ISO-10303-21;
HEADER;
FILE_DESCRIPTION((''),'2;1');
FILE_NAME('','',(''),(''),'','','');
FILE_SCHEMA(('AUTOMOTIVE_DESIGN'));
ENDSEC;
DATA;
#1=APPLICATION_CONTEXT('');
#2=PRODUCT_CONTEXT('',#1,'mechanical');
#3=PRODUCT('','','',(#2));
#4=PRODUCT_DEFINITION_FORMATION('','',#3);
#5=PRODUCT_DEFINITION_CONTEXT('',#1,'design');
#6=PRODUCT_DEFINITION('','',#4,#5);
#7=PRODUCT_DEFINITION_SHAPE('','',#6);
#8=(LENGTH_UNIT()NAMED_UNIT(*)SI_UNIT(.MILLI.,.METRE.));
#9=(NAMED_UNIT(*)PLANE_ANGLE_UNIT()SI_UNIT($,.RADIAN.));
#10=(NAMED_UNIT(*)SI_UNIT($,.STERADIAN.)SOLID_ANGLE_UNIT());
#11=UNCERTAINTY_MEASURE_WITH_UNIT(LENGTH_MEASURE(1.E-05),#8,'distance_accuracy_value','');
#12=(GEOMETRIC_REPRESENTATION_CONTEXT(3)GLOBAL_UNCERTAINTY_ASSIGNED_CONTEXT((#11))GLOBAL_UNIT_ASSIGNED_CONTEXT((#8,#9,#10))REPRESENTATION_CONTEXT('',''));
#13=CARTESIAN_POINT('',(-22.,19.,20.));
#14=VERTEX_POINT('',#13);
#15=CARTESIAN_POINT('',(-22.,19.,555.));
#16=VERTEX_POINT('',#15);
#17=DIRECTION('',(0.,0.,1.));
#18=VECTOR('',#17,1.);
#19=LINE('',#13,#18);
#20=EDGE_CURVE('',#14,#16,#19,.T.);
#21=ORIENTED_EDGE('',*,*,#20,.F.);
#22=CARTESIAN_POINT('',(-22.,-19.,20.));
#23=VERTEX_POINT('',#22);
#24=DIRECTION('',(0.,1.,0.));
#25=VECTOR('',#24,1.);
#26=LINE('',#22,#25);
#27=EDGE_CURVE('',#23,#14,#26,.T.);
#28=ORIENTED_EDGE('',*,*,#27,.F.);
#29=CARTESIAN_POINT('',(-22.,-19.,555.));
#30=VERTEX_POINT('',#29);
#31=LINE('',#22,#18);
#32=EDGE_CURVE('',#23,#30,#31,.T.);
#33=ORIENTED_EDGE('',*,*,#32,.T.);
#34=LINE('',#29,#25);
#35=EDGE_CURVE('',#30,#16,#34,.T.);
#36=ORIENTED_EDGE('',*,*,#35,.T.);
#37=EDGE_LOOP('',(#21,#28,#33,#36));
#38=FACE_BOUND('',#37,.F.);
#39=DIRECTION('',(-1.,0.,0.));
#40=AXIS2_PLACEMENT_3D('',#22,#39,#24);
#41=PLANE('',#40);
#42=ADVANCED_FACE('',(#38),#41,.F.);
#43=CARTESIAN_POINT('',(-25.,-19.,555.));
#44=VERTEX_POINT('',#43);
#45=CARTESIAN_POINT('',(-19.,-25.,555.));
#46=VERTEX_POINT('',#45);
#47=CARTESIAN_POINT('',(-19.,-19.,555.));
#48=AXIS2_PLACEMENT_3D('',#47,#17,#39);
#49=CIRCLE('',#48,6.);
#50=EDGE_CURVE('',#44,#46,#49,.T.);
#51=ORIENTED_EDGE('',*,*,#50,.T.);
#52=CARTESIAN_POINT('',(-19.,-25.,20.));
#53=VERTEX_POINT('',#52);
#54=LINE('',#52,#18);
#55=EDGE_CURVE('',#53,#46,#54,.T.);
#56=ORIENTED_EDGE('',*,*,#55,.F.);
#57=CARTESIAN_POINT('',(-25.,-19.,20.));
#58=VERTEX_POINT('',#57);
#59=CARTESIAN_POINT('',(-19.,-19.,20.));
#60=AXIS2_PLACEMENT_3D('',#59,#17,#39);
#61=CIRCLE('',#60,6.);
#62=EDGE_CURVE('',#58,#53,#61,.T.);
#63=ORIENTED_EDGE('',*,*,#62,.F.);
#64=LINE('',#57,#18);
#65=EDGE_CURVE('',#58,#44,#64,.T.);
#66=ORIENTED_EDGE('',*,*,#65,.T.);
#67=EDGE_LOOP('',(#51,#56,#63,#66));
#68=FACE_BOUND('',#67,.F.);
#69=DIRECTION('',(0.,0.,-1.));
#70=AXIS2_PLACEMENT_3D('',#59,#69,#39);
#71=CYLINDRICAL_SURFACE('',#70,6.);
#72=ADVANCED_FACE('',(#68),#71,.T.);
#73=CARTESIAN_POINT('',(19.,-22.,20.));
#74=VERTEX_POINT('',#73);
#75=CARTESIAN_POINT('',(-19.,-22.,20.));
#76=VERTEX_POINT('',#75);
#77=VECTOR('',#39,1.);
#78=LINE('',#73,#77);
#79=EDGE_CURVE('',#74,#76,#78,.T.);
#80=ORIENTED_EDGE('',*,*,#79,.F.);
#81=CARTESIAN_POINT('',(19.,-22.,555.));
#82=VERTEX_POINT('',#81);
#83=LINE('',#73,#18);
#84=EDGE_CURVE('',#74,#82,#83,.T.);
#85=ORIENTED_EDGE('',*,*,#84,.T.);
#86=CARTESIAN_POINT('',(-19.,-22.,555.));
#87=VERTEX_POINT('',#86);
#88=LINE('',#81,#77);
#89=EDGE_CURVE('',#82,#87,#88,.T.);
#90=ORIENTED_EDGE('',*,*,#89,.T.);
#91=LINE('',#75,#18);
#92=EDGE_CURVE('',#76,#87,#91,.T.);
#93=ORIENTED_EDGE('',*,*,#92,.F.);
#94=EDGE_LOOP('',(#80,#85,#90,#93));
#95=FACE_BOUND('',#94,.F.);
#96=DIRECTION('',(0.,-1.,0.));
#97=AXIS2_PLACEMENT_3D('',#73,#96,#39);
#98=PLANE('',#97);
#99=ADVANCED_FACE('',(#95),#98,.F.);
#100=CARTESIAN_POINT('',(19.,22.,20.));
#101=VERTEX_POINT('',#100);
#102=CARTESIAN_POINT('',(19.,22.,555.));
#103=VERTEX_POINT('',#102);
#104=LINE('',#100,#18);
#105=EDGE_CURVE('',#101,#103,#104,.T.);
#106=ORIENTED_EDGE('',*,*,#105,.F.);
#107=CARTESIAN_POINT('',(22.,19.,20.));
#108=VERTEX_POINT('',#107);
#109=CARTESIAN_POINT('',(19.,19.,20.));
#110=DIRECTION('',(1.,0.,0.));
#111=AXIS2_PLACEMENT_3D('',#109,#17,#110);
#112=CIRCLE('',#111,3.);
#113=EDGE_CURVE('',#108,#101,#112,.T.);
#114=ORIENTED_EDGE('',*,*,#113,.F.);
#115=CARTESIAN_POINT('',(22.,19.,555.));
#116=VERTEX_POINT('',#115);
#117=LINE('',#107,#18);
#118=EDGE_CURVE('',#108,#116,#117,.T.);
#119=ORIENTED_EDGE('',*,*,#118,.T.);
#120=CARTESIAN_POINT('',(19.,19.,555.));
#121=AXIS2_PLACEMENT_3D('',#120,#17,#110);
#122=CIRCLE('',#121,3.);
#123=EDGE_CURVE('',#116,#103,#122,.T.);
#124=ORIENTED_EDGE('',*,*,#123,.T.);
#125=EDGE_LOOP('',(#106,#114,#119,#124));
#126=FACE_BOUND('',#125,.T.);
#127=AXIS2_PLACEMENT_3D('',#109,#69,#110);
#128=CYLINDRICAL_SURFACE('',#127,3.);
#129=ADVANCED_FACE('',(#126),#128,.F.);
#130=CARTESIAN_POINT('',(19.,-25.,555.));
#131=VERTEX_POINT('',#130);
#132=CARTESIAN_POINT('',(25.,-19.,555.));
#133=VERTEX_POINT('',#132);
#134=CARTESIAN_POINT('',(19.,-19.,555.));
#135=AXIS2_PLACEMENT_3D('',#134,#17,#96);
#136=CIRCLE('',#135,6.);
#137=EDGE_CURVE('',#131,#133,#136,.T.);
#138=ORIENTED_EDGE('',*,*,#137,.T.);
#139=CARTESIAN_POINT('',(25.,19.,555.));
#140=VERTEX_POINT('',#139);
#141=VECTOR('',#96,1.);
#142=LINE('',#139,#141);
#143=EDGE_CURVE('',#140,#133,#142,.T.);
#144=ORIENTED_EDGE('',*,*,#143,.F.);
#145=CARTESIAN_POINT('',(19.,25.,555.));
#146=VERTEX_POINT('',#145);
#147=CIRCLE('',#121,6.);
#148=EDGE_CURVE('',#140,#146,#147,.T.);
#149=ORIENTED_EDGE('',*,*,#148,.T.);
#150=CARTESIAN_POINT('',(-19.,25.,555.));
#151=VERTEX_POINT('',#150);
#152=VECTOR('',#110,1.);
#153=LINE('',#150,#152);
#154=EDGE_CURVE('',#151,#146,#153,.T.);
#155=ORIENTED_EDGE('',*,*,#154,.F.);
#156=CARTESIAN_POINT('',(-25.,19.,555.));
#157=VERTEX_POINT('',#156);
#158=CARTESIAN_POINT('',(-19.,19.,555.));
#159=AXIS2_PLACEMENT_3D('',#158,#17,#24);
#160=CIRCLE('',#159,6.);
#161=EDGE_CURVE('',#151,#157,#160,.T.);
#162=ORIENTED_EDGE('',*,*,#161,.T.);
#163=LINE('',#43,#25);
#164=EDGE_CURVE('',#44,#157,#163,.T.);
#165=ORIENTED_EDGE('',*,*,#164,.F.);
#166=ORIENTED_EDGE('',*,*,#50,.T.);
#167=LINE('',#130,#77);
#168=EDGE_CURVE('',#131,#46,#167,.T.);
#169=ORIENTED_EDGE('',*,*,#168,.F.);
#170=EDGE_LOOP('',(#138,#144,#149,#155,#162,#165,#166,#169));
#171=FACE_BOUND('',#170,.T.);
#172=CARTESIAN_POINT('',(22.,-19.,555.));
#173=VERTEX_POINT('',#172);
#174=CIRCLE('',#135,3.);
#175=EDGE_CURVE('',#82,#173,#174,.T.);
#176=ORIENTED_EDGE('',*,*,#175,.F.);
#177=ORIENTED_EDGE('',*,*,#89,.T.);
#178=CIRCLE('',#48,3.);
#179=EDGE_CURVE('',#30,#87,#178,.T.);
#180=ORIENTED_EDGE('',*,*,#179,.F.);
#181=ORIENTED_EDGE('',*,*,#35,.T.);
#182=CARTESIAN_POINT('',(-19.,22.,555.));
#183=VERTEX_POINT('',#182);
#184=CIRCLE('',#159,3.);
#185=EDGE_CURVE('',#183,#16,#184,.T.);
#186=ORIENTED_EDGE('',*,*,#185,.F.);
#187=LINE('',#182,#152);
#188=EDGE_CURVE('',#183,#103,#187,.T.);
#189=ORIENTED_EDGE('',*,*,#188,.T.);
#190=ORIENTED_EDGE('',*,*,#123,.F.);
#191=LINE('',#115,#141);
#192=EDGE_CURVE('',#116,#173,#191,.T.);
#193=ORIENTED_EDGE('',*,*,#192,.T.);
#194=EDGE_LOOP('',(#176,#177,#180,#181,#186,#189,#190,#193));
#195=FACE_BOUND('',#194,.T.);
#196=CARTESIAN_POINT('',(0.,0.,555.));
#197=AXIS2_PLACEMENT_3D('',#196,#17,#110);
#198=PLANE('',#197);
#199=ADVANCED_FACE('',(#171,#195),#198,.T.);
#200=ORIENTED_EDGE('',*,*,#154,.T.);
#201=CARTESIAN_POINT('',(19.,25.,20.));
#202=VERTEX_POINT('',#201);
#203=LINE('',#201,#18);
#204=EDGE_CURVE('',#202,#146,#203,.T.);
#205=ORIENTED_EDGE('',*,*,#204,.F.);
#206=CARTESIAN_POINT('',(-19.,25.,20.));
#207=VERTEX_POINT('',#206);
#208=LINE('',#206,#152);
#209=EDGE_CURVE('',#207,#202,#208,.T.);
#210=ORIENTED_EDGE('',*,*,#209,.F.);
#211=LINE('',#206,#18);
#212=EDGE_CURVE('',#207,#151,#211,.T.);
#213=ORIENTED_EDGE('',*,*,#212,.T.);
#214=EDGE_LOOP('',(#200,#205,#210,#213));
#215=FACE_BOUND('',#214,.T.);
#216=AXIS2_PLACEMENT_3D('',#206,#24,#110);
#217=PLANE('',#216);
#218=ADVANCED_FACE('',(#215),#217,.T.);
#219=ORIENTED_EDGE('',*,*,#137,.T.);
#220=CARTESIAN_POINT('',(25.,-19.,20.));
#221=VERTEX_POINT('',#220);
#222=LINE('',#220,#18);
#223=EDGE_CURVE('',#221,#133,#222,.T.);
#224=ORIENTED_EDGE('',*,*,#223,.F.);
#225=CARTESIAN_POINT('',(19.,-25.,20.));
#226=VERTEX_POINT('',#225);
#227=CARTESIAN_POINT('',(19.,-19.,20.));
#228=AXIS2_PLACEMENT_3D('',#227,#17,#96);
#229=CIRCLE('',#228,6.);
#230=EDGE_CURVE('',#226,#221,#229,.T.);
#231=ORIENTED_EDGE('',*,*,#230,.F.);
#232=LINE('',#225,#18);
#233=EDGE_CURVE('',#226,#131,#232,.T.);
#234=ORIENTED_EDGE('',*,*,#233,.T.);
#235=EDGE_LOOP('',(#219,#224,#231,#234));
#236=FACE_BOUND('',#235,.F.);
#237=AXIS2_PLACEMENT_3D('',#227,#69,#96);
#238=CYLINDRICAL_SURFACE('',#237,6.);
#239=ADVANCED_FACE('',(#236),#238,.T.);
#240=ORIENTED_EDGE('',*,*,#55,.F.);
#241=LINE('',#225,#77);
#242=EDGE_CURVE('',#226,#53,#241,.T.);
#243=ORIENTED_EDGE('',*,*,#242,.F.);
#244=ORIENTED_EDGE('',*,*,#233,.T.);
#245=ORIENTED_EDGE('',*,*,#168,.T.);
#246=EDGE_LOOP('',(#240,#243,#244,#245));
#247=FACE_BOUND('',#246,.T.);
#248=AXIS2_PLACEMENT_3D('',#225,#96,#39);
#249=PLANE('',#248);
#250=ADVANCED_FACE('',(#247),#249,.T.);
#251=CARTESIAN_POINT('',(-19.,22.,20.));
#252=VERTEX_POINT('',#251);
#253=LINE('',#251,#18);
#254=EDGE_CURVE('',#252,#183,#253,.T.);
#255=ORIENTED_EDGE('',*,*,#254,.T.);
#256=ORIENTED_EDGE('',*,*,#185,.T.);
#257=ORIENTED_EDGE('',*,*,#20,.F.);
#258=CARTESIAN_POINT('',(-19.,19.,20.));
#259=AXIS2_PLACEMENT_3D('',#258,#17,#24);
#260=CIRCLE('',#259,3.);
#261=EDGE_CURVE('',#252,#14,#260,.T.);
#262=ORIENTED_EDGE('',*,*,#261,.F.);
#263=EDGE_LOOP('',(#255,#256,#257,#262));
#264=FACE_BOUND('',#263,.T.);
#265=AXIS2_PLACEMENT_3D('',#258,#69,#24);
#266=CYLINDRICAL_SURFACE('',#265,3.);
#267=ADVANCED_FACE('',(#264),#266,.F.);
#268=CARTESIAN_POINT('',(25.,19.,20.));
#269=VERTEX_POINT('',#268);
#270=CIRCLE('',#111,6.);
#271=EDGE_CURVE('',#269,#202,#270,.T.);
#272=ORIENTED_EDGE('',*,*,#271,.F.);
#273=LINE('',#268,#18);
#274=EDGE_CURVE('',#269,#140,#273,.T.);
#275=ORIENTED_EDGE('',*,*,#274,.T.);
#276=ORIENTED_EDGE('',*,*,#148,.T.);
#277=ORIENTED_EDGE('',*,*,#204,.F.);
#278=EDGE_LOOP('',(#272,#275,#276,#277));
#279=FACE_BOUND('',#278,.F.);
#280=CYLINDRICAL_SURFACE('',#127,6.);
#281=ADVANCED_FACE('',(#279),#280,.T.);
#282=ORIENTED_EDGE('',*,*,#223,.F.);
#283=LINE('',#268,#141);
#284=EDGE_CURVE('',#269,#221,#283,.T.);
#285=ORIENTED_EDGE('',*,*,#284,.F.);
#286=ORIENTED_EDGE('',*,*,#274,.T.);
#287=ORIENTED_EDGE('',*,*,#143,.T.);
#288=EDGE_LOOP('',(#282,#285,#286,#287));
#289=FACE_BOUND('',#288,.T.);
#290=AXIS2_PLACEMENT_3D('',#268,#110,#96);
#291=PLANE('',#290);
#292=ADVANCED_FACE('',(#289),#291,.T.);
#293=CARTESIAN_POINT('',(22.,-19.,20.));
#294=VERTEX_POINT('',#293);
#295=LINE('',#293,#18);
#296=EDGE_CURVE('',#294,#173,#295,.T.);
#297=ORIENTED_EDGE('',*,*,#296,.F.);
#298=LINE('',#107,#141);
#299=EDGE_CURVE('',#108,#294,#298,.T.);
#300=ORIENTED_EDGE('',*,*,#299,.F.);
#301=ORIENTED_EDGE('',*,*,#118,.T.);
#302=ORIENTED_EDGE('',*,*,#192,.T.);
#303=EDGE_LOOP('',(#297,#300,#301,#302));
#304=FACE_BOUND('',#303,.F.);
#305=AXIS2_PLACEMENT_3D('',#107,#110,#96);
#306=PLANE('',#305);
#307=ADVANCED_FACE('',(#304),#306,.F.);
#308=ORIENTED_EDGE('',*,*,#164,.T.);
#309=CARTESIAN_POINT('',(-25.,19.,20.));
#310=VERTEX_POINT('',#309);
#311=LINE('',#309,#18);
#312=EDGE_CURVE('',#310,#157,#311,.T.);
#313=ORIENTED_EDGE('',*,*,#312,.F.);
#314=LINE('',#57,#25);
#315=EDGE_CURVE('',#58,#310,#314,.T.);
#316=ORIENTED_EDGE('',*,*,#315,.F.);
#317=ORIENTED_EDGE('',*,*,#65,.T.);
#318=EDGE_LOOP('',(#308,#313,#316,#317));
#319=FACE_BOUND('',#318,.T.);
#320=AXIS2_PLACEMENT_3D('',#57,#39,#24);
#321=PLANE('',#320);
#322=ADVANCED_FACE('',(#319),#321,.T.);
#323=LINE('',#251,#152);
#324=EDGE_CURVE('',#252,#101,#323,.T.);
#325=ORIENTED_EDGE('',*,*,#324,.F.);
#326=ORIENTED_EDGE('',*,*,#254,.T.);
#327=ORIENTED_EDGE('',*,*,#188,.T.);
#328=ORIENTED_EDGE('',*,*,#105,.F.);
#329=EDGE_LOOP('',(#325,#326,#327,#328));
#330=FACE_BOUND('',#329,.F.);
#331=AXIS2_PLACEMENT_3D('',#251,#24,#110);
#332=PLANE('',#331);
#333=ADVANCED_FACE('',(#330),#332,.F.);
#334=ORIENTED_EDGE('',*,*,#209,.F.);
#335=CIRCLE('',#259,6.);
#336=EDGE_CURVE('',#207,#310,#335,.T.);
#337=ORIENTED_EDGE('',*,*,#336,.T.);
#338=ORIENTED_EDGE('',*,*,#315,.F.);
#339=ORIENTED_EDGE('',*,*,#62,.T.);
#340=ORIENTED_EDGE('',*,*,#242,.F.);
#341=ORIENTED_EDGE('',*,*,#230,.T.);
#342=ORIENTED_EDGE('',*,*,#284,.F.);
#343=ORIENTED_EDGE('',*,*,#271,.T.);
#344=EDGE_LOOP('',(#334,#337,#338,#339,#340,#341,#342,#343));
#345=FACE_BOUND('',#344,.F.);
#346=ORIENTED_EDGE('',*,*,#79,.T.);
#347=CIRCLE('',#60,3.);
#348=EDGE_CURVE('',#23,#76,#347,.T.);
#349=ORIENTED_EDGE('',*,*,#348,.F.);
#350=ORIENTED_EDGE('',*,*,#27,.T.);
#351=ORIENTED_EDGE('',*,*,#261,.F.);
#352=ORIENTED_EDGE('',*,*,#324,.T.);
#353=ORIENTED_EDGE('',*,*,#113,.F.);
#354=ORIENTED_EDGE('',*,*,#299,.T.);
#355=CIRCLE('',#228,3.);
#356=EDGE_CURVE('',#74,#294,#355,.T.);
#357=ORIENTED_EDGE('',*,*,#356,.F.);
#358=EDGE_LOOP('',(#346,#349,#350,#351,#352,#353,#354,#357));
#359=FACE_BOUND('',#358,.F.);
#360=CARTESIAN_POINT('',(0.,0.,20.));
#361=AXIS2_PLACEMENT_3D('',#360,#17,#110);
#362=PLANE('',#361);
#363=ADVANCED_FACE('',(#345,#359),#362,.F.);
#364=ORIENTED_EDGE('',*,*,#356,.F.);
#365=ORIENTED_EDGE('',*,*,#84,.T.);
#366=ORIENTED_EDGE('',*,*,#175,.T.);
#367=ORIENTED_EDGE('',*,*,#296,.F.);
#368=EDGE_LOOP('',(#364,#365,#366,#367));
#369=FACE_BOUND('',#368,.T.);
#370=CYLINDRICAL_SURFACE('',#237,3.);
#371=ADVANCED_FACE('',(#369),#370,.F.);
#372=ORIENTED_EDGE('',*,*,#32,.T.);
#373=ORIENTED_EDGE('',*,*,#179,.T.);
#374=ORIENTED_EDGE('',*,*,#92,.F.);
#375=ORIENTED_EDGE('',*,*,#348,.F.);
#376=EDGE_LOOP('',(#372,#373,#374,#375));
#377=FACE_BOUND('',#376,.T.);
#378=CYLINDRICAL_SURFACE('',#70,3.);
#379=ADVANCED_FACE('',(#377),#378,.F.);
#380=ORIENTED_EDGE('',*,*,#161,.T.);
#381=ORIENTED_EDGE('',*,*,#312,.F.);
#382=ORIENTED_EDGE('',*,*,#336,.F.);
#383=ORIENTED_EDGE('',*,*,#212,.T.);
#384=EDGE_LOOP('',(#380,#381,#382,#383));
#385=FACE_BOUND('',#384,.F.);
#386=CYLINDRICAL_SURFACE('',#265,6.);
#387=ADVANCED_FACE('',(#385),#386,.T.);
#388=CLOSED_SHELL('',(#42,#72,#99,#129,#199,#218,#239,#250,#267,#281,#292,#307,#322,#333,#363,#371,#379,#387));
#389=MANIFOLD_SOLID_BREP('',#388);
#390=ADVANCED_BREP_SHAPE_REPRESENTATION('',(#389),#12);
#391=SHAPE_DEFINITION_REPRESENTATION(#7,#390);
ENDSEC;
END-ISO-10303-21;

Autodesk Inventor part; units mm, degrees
ref_plane "YZ Plane" through (0, 0, 0) normal (1, 0, 0) x (0, 1, 0)
ref_plane "Start Plane" through (0, 0, 20) normal (0, 0, 1) x (1, 0, 0)
ref_plane "End Plane" through (0, 0, 555) normal (0, 0, 1) x (1, 0, 0)
sketch "Sketch" plane through (0, 0, 0) normal (0, 0, 1) x (1, 0, 0)
  line L0 (-25, -19) -> (-25, 19)
  line L1 (-19, 25) -> (19, 25)
  line L2 (25, 19) -> (25, -19)
  line L3 (19, -25) -> (-19, -25)
  arc A0 (-25, -19) -> (-19, -25) centre (-19, -19) ccw
  arc A1 (25, 19) -> (19, 25) centre (19, 19) ccw
  arc A2 (-19, 25) -> (-25, 19) centre (-19, 19) ccw
  arc A3 (19, -25) -> (25, -19) centre (19, -19) ccw
  arc A4 (-19, 22) -> (-22, 19) centre (-19, 19) ccw
  line L4 (-19, 22) -> (19, 22)
  arc A5 (22, 19) -> (19, 22) centre (19, 19) ccw
  line L5 (22, 19) -> (22, -19)
  arc A6 (19, -22) -> (22, -19) centre (19, -19) ccw
  line L6 (19, -22) -> (-19, -22)
  arc A7 (-22, -19) -> (-19, -22) centre (-19, -19) ccw
  line L7 (-22, -19) -> (-22, 19)
  line L8 (0, 36.7397) -> (0, -36.7397) construction
  line L9 (-36.7397, 0) -> (36.7397, 0) construction
  dimension "d7" = 6
  dimension "d9" = 50
  dimension "d11" = 50
  dimension "d12" = 3
  dimension "d15" = 25
  dimension "d16" = 25
extrude "Body" add sketch "Sketch" along normal up to surface (535 mm away) from surface at 20
sketch "Sketch3" plane through (0, 0, 0) normal (0, 0, 1) x (1, 0, 0)
  line L0 (0, 0) -> (10, 0)
ref_plane "Work Plane3" through (0, 0, 0) normal (0, -1, 0) x (1, 0, 0)
sketch "Sketch4" plane through (0, 0, 0) normal (0, -1, 0) x (1, 0, 0)
  line L0 (-2, 20) -> (12, 20) projected
  line L1 (-2, 555) -> (12, 555) projected
  dimension "d18" = 535
equation "\"d7\" = G_IR"
equation "\"d9\" = G_W"
equation "\"d11\" = G_H"
equation "\"d12\" = G_T"
equation "\"d15\" = 0.5 * d9"
equation "\"d16\" = 0.5 * d11"
equation "\"d3\" = G_L"
equation "\"G_W\" = 50"
equation "\"G_H\" = 50"
equation "\"G_T\" = 3"
equation "\"G_IR\" = 6"
equation "\"G_L\" = d18"
equation "\"d14\" = G_OFFSET_END + B_L"
equation "\"B_L\" = 575"
equation "\"G_OFFSET_END\" = -20"
properties part number "ISO 10799-2 - 50x50x3 - 535" material "Steel, Mild"
